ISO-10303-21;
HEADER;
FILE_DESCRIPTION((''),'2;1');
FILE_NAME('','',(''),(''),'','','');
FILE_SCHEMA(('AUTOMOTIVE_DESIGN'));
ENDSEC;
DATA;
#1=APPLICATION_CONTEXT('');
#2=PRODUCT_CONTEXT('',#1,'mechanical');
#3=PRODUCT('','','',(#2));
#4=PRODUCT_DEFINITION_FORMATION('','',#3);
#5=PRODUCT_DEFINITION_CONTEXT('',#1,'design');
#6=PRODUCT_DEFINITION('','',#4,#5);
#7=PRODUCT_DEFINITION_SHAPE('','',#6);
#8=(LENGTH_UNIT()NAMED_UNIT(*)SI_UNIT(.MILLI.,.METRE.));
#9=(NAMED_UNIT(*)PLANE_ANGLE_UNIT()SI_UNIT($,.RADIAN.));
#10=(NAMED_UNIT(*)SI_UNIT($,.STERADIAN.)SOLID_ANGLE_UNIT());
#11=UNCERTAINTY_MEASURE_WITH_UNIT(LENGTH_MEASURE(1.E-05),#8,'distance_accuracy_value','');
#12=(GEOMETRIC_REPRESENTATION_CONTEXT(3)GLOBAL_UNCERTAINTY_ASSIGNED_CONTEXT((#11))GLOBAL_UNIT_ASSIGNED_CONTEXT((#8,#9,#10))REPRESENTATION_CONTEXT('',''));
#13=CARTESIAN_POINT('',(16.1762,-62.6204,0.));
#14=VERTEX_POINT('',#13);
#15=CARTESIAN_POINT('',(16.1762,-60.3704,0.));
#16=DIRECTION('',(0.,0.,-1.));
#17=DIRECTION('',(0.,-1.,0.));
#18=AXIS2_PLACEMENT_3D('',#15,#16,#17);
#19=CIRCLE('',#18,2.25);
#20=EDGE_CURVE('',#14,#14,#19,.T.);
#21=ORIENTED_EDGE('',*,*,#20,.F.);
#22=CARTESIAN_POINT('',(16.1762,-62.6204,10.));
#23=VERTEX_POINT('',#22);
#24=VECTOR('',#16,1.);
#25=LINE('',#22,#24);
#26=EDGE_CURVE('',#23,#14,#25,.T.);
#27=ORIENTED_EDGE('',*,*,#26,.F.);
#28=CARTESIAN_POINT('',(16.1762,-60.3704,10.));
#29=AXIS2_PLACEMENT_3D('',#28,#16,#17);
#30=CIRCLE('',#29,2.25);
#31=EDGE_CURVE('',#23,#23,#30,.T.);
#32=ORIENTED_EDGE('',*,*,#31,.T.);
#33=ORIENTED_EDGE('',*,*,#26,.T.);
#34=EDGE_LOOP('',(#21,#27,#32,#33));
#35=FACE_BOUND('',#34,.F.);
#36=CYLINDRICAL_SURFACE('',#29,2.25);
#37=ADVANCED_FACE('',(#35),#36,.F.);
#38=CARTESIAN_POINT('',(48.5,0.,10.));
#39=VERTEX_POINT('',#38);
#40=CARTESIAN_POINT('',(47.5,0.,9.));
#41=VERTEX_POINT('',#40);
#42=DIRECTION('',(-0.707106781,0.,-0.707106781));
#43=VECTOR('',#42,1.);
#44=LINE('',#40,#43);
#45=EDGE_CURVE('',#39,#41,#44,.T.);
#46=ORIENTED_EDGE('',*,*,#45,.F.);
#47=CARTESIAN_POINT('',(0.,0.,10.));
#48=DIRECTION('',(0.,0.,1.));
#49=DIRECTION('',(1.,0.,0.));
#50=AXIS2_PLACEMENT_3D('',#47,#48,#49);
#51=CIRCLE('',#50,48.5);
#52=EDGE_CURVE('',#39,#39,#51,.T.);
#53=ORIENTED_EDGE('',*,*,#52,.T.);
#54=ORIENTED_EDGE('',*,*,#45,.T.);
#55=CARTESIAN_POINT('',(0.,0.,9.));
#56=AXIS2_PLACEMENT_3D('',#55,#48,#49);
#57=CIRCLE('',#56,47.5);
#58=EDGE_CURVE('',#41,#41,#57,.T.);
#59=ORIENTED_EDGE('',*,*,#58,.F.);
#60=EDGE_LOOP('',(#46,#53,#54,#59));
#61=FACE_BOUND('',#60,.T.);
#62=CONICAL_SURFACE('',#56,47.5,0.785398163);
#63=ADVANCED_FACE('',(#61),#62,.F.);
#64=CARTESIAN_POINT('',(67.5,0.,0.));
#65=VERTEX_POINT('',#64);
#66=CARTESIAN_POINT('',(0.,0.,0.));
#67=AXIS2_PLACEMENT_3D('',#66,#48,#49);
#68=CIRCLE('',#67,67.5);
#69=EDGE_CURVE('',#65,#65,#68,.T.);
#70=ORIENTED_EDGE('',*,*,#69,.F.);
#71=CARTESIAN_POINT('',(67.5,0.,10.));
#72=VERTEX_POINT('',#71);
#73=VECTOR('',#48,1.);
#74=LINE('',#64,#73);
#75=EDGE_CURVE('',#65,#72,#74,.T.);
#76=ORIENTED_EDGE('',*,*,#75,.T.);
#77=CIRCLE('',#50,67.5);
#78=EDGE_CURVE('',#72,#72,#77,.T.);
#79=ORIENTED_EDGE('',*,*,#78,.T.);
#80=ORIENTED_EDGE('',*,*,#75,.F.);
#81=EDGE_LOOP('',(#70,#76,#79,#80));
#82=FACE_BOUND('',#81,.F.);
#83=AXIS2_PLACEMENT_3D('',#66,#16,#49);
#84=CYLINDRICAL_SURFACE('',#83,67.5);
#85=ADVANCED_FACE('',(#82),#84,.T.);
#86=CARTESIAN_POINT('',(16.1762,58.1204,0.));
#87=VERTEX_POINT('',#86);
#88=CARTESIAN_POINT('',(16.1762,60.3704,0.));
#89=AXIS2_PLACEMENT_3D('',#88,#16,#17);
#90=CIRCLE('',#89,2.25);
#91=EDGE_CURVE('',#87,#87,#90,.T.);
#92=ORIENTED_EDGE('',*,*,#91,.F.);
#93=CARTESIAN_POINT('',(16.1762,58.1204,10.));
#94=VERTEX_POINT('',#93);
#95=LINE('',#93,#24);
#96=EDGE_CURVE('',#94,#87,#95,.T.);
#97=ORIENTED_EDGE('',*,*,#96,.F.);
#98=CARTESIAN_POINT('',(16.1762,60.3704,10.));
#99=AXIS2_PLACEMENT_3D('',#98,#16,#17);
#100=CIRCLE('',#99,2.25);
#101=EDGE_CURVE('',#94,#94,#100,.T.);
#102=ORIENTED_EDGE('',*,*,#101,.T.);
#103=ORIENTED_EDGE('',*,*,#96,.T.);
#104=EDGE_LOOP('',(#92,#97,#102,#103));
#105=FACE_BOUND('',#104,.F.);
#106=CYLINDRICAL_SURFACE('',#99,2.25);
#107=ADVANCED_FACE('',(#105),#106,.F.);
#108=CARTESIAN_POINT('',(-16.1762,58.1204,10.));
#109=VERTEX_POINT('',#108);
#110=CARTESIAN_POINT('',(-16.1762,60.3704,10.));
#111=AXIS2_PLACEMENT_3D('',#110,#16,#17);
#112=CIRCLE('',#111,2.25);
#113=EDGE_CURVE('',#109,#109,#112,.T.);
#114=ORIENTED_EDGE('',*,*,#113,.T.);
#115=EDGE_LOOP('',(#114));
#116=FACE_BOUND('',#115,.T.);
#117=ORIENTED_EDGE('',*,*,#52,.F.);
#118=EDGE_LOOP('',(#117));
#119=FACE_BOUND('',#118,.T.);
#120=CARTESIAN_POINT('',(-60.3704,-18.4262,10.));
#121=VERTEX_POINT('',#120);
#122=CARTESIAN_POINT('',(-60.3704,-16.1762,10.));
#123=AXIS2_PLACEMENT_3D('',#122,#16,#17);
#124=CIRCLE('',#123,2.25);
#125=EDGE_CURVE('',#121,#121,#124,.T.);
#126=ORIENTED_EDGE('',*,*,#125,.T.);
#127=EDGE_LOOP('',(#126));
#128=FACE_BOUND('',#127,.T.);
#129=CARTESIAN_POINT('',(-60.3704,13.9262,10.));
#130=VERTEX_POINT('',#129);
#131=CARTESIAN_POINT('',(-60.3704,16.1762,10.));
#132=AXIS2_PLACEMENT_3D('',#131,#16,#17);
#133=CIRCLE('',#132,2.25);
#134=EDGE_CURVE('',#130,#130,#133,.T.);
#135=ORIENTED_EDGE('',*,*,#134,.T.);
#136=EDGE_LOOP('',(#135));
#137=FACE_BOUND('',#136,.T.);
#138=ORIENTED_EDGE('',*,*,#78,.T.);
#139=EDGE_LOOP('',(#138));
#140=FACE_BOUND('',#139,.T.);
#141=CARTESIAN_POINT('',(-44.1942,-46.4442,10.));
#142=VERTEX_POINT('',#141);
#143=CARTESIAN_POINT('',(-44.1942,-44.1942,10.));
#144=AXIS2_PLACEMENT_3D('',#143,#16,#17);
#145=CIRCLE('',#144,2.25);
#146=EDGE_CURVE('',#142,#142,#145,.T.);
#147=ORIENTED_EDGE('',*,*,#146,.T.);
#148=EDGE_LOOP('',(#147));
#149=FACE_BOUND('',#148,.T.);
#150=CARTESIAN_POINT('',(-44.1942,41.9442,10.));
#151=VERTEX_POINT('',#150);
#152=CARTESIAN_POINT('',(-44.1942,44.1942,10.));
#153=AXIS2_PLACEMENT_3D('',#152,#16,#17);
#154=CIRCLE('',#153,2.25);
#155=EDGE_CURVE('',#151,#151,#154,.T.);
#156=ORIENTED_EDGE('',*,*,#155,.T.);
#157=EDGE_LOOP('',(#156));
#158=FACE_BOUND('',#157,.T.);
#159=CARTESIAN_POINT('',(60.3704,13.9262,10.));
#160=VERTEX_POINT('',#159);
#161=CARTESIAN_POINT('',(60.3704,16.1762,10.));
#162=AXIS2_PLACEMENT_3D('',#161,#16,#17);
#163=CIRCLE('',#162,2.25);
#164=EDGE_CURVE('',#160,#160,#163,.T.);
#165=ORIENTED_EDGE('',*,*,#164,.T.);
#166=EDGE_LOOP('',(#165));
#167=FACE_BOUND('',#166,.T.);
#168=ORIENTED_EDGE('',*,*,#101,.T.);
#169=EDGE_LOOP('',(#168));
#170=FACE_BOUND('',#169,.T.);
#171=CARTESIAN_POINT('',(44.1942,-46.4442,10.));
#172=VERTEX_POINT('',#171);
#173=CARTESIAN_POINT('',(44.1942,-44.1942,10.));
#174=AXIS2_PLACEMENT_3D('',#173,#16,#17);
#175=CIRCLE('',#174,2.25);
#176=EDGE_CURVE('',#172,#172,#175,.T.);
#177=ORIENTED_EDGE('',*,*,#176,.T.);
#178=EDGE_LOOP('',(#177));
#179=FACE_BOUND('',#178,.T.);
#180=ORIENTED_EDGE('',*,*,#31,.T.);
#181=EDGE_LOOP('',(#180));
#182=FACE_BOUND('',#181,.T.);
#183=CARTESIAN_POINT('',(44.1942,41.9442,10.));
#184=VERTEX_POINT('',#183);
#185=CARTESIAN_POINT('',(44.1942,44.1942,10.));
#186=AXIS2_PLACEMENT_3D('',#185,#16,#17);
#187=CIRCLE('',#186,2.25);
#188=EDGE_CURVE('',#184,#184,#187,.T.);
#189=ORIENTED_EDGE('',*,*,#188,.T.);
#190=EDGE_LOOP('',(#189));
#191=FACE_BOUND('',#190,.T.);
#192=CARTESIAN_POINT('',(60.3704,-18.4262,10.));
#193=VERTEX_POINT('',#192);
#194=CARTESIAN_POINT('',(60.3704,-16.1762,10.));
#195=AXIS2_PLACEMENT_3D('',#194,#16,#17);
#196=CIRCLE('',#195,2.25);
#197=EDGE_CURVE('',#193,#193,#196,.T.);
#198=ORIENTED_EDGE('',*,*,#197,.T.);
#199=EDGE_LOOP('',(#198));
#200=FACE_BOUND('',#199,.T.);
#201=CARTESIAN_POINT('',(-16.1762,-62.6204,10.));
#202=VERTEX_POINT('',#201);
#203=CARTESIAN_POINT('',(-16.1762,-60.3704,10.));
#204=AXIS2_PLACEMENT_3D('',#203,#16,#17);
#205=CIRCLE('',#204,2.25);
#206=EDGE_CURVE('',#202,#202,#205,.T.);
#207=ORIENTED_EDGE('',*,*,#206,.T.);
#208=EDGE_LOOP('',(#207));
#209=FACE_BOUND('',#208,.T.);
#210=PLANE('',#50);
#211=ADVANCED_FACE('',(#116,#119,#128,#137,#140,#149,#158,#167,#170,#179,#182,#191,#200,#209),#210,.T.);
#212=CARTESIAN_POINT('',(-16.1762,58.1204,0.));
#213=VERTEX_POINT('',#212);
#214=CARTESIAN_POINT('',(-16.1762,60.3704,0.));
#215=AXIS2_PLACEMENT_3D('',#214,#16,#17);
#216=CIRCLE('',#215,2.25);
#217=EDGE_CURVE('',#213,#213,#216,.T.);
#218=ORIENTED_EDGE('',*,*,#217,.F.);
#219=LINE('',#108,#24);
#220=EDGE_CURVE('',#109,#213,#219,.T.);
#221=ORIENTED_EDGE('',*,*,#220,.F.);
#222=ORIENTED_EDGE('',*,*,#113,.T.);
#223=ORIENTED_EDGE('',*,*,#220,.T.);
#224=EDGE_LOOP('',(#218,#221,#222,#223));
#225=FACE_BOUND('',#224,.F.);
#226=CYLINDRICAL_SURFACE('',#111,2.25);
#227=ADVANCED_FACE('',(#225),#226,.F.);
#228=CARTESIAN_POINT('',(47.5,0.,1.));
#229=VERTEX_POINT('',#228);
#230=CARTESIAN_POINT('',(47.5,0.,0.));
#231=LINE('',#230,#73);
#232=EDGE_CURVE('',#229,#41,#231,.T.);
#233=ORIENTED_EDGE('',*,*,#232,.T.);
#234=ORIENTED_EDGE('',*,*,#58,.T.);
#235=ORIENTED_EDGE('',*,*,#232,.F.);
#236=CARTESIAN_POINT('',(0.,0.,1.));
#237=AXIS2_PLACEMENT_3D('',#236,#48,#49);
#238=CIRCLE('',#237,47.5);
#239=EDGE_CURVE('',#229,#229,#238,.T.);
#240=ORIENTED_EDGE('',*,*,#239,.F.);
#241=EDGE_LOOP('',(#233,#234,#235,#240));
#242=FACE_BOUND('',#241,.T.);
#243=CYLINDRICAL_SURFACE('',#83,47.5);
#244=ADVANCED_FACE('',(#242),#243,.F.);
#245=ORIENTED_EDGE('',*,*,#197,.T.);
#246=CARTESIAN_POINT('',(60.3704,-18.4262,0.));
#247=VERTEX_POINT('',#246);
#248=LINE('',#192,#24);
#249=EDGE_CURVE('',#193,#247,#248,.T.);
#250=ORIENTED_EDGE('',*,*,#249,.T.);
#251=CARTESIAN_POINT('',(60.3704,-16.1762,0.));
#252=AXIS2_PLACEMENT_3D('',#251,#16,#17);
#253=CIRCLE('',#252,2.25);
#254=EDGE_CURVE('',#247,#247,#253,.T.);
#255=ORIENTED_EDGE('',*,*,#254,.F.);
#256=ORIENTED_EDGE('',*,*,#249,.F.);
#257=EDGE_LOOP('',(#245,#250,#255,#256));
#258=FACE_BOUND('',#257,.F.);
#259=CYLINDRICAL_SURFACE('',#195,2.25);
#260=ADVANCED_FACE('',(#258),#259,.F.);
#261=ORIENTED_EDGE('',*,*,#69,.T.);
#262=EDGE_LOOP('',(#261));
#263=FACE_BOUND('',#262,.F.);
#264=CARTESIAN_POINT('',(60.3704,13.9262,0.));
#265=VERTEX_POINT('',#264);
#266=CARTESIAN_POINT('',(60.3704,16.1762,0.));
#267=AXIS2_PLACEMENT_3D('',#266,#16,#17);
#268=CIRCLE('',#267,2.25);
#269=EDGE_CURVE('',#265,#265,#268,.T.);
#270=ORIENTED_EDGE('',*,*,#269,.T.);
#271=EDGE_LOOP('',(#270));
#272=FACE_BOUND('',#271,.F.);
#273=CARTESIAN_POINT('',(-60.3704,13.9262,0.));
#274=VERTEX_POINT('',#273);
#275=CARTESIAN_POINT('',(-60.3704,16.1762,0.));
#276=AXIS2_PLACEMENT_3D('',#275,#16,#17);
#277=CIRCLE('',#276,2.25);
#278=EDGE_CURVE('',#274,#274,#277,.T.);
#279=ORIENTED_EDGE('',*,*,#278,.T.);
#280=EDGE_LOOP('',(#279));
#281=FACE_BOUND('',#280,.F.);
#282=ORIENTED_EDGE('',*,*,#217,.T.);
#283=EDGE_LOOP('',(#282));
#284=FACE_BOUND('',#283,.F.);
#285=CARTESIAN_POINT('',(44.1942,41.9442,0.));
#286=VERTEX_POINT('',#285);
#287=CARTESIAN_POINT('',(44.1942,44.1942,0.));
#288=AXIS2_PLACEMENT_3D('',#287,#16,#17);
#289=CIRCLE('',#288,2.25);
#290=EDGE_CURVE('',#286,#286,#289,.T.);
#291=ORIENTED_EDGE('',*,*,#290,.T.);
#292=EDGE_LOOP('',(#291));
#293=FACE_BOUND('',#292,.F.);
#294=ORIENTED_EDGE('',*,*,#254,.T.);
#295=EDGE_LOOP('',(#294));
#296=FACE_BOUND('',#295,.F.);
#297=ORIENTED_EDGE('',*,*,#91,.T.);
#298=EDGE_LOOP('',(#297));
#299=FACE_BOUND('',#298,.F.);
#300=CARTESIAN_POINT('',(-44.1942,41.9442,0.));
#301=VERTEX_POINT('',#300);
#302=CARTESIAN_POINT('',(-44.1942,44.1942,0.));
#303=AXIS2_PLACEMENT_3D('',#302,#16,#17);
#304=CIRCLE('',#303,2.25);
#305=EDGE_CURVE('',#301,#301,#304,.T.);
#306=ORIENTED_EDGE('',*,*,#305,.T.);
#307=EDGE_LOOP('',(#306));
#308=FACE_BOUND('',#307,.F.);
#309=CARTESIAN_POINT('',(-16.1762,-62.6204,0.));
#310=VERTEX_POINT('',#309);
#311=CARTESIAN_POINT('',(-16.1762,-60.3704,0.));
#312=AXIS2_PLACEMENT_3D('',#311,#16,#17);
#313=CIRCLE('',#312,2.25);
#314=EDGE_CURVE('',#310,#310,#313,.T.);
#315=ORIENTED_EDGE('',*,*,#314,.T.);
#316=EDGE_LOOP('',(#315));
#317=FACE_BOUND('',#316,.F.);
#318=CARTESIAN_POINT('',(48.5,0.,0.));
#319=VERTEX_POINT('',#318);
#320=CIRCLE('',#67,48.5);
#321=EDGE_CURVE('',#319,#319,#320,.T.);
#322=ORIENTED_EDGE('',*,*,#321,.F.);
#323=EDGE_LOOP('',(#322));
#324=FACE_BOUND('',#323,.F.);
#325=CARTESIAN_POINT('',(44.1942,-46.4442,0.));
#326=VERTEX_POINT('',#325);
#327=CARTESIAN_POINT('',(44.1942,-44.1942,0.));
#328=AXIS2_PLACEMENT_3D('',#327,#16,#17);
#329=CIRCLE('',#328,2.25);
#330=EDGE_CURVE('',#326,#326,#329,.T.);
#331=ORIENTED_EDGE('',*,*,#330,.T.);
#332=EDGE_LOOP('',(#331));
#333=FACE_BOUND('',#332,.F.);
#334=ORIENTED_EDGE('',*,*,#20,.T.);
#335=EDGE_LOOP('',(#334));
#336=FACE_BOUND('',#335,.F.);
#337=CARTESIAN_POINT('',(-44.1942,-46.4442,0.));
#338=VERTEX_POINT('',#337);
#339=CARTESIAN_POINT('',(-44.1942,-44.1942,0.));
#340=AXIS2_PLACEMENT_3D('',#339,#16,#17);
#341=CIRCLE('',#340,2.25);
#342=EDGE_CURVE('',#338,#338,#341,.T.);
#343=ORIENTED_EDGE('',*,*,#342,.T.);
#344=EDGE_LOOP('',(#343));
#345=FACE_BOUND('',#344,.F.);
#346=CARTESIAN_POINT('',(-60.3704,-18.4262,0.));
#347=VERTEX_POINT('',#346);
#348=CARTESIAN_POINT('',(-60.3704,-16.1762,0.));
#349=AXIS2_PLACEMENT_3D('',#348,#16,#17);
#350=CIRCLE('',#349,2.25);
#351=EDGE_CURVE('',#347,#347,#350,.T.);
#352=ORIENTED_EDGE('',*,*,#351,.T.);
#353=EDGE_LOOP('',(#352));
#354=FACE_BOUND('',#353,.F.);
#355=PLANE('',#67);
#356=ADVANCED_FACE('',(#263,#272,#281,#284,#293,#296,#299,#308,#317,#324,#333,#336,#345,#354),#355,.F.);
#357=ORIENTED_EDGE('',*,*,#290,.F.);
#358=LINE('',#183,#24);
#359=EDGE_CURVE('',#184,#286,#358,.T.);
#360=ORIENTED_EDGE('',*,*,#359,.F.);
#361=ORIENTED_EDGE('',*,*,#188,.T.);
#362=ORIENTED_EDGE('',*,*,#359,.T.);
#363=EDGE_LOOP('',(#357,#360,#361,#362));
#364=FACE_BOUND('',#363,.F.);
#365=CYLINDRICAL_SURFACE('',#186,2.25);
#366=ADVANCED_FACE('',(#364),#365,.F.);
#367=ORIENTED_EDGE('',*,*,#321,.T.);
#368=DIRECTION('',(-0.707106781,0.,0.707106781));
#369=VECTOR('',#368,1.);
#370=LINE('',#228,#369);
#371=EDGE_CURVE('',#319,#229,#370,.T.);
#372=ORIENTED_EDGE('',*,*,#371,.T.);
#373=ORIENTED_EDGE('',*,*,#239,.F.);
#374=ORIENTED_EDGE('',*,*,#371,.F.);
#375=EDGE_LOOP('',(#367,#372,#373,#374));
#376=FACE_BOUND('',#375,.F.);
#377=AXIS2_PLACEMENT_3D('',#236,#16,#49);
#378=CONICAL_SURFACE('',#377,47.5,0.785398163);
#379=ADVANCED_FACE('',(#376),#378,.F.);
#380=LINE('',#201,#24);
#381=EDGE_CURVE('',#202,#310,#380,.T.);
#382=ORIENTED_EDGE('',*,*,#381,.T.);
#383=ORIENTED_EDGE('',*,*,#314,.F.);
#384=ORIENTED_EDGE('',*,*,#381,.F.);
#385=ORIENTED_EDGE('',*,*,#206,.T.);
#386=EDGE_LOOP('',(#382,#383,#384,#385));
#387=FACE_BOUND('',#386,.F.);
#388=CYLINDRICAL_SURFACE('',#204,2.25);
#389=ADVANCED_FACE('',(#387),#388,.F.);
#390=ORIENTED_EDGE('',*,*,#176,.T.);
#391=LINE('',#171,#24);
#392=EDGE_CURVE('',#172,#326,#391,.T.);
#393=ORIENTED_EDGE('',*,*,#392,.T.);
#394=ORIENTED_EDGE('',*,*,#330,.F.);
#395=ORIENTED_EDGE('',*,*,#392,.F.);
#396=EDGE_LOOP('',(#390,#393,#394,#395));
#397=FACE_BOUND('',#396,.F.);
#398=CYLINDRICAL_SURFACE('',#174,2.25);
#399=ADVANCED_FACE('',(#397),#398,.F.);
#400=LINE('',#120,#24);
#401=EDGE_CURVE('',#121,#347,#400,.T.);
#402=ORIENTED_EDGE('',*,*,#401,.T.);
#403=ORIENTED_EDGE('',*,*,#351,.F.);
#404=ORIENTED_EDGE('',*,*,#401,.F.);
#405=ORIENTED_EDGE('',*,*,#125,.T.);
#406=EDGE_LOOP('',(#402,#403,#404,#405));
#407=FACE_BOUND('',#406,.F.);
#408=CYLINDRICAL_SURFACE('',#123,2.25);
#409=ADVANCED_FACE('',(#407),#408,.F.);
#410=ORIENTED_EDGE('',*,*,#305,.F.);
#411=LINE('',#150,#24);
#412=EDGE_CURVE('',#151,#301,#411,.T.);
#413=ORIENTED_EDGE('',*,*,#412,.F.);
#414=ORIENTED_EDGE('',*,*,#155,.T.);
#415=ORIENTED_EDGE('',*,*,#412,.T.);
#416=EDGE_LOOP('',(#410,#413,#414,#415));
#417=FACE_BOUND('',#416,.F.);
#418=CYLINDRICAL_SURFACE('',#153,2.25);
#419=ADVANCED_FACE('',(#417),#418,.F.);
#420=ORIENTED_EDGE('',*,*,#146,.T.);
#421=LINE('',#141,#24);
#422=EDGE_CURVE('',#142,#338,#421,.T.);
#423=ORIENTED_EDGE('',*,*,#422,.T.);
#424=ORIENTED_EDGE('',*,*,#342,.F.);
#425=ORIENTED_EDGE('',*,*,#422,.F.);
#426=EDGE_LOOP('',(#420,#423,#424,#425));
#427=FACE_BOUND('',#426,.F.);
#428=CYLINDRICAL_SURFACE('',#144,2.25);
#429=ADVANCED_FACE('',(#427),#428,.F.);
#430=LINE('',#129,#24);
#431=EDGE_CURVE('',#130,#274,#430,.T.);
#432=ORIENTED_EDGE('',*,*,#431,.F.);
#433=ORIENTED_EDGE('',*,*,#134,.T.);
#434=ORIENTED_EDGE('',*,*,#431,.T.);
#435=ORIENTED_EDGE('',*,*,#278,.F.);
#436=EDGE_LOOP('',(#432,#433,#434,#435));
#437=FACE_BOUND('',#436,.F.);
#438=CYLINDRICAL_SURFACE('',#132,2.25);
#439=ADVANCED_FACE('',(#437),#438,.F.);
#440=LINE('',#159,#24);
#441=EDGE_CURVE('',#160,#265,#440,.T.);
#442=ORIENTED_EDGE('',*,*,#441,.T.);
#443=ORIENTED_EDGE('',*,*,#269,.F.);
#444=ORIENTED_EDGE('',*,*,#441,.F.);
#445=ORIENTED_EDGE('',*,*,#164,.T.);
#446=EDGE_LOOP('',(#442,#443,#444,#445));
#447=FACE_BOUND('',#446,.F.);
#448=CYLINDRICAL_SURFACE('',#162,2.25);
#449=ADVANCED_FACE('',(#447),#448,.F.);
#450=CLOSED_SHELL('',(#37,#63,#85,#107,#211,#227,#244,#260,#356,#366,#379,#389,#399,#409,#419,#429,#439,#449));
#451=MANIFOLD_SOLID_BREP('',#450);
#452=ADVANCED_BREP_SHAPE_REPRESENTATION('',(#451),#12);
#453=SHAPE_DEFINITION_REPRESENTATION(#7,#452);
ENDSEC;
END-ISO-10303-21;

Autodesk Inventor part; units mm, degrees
ref_plane "YZ Plane" through (0, 0, 0) normal (1, 0, 0) x (0, 1, 0)
ref_plane "XZ Plane" through (0, 0, 0) normal (0, 1, 0) x (-1, 0, 0)
ref_plane "XY Plane" through (0, 0, 0) normal (0, 0, 1) x (1, 0, 0)
sketch "スケッチ1" plane through (0, 0, 0) normal (0, 0, 1) x (1, 0, 0)
  circle A0 centre (0, 0) radius 47.5
  circle A1 centre (0, 0) radius 67.5
  dimension "d0" = 95
  dimension "d1" = 135
extrude "押し出し1" add sketch "スケッチ1" along normal blind 10
sketch "スケッチ2" plane through (0, 0, 10) normal (0, 0, 1) x (1, 0, 0)
  circle A0 centre (0, 0) radius 62.5
  point P0 (16.1762, 60.3704)
  point P1 (-16.1762, 60.3704)
  point P2 (-44.1942, 44.1942)
  point P3 (-60.3704, 16.1762)
  point P4 (-60.3704, -16.1762)
  point P5 (-44.1942, -44.1942)
  point P6 (-16.1762, -60.3704)
  point P7 (16.1762, -60.3704)
  point P8 (44.1942, -44.1942)
  point P9 (60.3704, -16.1762)
  point P10 (60.3704, 16.1762)
  point P11 (44.1942, 44.1942)
  dimension "d4" = 125
  dimension "d7" = 360
  dimension "d25" = 0
hole "穴1" at (16.1762, 60.3704, 10) at (-16.1762, 60.3704, 10) at (-44.1942, 44.1942, 10) at (-60.3704, 16.1762, 10) at (-60.3704, -16.1762, 10) at (-44.1942, -44.1942, 10) at (-16.1762, -60.3704, 10) at (16.1762, -60.3704, 10) at (44.1942, -44.1942, 10) at (60.3704, -16.1762, 10) at (60.3704, 16.1762, 10) at (44.1942, 44.1942, 10) direction (0, 0, -1) diameter 4.5 end through all clearance for "Flat Head Machine Screw" size "M4" standard "Ansi Metric M Profile"
chamfer "面取り1" distance 1 angle 45 2 edges at (-47.5, 0, 10) (-47.5, 0, 0)
sketch "スケッチ3" plane through (0, 0, 10) normal (0, 0, 1) x (1, 0, 0)
  circle A0 centre (16.1762, 60.3704) radius 2.25 projected
  circle A1 centre (-16.1762, 60.3704) radius 2.25 projected
  circle A2 centre (0, 0) radius 67.5 projected
  circle A3 centre (0, 0) radius 62.5
  circle A4 centre (-16.1762, 60.3704) radius 5
  circle A5 centre (16.1762, 60.3704) radius 5
  point P0 (11.2987, 61.4702)
  point P1 (17.4703, 65.2)
  point P2 (-17.4703, 65.2)
  point P3 (-20.9502, 58.8841)
properties part number "unit-j2-base2" material "ABS プラスチック"
